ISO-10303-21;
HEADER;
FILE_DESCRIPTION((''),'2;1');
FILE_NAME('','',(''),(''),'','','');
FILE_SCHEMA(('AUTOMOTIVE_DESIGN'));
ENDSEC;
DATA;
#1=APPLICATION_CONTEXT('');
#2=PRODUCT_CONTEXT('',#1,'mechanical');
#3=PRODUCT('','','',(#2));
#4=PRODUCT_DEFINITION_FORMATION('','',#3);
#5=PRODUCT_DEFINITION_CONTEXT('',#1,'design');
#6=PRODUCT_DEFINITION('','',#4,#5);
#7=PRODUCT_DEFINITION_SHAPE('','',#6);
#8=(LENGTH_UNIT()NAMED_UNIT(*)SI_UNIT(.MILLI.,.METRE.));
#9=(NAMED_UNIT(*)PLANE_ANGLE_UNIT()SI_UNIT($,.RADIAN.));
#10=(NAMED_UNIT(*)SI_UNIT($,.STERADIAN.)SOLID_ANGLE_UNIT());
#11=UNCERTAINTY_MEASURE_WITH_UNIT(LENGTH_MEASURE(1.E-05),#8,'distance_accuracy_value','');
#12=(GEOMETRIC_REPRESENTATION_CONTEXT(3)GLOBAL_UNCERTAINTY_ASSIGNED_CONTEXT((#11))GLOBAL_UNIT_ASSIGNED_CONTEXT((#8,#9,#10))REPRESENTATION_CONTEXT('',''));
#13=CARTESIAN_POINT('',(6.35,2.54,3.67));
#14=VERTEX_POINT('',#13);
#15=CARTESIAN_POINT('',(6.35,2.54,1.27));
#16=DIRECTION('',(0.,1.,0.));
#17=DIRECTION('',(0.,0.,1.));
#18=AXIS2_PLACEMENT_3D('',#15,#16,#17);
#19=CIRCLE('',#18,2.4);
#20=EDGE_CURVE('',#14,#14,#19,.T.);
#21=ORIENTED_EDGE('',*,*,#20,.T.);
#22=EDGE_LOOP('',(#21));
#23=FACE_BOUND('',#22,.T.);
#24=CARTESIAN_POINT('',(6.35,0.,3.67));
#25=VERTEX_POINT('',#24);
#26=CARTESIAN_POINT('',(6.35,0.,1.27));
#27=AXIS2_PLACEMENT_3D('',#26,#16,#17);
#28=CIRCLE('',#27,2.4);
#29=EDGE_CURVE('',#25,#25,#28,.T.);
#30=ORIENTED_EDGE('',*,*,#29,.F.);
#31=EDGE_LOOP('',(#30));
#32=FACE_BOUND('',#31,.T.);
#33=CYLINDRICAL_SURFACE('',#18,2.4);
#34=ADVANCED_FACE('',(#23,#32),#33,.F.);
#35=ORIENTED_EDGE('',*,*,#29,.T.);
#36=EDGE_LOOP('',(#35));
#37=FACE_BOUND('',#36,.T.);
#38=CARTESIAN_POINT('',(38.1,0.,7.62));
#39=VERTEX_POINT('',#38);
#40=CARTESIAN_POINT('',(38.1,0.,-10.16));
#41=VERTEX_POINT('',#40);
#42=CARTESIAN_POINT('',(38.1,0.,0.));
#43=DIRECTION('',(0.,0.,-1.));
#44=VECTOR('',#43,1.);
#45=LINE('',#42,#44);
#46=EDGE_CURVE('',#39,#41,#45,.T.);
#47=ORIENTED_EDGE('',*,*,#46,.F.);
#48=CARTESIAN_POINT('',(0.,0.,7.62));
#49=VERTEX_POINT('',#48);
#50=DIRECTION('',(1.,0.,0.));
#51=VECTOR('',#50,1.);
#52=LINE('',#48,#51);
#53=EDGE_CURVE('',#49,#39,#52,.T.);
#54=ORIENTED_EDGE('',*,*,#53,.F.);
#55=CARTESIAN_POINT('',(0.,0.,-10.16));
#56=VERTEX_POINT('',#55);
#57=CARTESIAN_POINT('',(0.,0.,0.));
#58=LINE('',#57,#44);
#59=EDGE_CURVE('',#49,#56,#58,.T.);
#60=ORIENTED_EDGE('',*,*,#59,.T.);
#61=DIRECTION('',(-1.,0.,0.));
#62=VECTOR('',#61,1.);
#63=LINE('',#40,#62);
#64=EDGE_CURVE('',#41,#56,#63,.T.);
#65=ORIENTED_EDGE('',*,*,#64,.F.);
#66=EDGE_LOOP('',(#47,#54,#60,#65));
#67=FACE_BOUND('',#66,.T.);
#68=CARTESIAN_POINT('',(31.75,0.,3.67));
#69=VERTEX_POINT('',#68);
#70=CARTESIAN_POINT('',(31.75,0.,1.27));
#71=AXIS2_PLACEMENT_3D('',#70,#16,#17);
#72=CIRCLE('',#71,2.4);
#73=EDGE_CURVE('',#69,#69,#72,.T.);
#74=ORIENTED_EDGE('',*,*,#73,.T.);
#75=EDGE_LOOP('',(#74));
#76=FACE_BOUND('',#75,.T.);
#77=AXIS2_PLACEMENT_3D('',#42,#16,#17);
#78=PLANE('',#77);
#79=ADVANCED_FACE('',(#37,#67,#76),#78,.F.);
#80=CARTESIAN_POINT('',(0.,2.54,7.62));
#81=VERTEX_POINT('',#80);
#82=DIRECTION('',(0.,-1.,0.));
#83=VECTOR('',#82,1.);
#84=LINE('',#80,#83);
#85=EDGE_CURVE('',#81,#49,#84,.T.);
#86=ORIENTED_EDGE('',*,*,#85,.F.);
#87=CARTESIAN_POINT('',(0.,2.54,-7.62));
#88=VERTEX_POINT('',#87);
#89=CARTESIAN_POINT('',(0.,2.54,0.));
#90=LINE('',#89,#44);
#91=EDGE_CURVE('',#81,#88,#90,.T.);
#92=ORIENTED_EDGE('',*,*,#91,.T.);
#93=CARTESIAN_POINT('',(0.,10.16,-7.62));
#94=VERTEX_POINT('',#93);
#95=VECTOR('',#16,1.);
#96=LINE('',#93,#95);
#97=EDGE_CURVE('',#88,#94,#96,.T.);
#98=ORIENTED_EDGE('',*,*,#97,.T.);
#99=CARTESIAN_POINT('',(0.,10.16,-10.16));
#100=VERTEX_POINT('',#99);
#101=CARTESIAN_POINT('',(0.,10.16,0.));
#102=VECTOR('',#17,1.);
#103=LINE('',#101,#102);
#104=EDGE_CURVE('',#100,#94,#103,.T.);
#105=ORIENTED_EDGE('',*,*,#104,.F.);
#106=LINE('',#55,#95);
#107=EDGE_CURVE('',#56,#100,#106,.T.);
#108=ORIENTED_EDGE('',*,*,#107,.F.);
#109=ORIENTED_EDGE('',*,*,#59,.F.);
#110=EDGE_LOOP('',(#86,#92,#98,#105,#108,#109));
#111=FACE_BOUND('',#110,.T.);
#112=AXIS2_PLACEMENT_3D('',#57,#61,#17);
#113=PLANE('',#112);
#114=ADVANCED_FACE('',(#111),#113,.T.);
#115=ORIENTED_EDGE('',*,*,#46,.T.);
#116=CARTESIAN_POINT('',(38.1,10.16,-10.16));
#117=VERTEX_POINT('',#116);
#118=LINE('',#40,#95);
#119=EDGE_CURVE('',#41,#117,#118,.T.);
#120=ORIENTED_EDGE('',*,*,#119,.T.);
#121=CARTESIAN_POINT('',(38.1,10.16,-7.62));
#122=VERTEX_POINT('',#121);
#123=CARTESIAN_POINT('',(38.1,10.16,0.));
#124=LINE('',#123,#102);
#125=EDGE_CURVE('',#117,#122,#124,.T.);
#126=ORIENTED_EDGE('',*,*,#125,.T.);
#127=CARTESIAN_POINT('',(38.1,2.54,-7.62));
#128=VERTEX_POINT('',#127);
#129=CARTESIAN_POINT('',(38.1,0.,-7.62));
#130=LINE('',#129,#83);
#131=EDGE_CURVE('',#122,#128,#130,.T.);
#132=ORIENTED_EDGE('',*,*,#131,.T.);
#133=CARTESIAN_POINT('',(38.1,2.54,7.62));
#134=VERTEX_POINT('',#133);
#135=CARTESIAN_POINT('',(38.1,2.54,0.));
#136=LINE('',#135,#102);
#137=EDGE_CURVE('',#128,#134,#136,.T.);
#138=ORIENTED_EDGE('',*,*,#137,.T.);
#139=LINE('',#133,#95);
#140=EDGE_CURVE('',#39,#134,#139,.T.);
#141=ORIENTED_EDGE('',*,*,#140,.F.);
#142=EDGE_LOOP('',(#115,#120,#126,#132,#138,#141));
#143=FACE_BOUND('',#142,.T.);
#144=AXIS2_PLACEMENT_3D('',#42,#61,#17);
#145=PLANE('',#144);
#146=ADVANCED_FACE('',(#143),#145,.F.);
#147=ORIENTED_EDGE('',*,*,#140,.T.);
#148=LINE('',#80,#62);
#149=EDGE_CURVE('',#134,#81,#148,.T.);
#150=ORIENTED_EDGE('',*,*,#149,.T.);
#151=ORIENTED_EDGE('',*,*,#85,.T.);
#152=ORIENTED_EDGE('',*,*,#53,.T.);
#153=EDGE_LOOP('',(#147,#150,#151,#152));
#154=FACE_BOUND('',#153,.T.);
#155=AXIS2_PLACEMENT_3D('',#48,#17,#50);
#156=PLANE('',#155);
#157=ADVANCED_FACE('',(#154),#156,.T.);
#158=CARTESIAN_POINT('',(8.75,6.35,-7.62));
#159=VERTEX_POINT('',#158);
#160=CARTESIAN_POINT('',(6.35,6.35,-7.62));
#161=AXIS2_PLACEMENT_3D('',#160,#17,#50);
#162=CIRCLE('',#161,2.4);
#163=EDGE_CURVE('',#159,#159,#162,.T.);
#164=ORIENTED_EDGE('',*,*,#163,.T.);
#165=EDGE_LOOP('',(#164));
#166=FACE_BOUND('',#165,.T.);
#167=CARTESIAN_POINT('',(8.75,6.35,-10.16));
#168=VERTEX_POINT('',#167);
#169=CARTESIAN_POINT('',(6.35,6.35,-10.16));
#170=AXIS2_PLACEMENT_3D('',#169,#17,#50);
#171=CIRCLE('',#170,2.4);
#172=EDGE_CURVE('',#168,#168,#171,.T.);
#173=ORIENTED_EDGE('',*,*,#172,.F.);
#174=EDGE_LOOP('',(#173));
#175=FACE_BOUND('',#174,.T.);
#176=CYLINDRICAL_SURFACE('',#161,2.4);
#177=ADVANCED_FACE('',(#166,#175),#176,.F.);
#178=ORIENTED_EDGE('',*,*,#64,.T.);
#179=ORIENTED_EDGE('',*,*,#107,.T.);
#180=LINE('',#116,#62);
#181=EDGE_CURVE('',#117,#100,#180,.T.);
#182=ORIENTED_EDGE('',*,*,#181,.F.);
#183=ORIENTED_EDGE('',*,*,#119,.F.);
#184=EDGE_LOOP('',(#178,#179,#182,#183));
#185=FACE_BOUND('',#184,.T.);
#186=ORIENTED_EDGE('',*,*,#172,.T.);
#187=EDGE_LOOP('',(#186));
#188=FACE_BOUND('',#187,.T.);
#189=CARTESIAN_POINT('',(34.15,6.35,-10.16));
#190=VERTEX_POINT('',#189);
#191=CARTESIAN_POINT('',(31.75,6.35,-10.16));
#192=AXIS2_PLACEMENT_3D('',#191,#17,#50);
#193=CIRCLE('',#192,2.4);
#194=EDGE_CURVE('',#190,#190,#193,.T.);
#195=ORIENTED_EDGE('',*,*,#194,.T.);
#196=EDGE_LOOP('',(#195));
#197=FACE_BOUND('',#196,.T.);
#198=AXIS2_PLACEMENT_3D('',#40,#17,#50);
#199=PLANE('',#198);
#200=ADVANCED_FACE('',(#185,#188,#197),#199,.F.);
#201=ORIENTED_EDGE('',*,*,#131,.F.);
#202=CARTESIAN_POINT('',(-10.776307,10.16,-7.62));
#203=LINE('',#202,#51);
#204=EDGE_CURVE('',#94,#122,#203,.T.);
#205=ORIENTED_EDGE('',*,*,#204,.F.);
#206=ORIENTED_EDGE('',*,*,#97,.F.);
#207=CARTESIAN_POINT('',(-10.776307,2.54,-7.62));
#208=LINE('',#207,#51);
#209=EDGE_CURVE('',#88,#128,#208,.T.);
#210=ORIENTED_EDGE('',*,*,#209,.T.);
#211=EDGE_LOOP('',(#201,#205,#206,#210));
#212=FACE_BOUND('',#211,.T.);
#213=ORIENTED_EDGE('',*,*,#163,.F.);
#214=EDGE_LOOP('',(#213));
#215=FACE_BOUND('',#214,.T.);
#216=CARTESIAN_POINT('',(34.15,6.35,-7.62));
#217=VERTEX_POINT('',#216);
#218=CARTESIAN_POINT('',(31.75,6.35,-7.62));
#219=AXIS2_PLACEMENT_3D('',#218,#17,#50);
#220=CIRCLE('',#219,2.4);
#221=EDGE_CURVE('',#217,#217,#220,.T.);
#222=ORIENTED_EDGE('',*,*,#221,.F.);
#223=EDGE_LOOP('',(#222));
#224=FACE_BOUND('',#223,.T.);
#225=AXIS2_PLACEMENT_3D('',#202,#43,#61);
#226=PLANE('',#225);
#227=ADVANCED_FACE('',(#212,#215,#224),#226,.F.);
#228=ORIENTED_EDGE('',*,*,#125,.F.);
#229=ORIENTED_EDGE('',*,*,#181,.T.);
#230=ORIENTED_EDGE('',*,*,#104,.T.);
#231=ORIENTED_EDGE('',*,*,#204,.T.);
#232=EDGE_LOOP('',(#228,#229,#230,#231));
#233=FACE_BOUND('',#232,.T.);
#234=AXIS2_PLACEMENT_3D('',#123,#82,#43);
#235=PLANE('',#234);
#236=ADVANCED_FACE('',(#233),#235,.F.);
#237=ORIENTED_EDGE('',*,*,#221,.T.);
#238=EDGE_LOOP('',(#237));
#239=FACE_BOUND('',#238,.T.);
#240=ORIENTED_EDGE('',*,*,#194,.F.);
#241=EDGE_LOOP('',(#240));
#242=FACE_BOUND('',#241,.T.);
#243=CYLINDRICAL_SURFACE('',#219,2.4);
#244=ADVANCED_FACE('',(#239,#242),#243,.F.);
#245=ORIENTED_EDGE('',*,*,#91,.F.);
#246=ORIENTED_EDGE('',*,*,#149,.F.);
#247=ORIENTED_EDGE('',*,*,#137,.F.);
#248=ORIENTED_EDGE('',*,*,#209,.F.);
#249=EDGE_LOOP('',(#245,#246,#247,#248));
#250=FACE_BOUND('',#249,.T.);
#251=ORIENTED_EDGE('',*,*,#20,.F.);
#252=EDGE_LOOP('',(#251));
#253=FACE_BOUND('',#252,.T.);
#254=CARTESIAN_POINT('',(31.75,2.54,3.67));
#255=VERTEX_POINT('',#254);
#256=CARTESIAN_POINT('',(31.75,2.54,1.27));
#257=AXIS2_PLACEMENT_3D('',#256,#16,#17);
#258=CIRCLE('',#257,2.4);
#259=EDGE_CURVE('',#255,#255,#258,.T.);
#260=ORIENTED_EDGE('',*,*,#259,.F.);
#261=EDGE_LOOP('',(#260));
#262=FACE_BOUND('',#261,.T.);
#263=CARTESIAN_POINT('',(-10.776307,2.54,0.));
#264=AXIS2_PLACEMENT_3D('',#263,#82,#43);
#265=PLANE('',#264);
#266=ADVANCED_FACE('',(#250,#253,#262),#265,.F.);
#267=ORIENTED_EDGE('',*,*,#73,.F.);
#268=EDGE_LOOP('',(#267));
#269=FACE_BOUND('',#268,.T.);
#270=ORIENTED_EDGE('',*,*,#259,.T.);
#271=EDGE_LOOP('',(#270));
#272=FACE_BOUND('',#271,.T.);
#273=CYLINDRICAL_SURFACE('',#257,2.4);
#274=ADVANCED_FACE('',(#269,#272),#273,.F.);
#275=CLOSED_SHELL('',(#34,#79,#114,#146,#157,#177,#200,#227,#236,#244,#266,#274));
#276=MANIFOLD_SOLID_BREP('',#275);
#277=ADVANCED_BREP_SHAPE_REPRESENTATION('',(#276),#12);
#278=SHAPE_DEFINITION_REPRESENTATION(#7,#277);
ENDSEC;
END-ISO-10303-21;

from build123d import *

# Parameters (mm, degrees)
SKETCH2_W               = 10.16
SKETCH2_H               = 10.16
BOSS_EXTRUDE1_DEPTH     = 38.1
CUT_EXTRUDE1_DEPTH      = 41.719297636
CUT_EXTRUDE1_DEPTH_BACK = 38.1
SKETCH3_W               = 7.62
SKETCH3_H               = 7.62
M4_CLEARANCE_HOLE2_D    = 4.8
SKETCH13_W              = 38.1
SKETCH13_H              = 2.54
BOSS_EXTRUDE2_DEPTH     = 7.62
M4_CLEARANCE_HOLE3_D    = 4.8


with BuildPart() as part:
    # Sketch2 → Boss-Extrude1 (new body)
    with BuildSketch(Plane(origin=(0, 0, 0), x_dir=(0, 0, -1), z_dir=(1, 0, 0))):
        with Locations((5.08, 5.08)):
            Rectangle(SKETCH2_W, SKETCH2_H)
    extrude(amount=BOSS_EXTRUDE1_DEPTH)

    # Sketch3 → Cut-Extrude1 (cut, two sides: drawn at the far end of the back side and taken through both)
    with BuildSketch(Plane(origin=(38.1, 0, 0), x_dir=(0, 0, -1), z_dir=(1, 0, 0)).offset(-CUT_EXTRUDE1_DEPTH_BACK)):
        with Locations((3.81, 6.35)):
            Rectangle(SKETCH3_W, SKETCH3_H)
    extrude(amount=CUT_EXTRUDE1_DEPTH + CUT_EXTRUDE1_DEPTH_BACK, mode=Mode.SUBTRACT)

    # M4 Clearance Hole2 (through all)
    with Locations(Plane.XY.offset(-7.62)):
        with Locations((6.35, 6.35), (31.75, 6.35)):
            Hole(M4_CLEARANCE_HOLE2_D / 2)

    # Sketch13 → Boss-Extrude2 (add)
    with BuildSketch(Plane.XY):
        with Locations((19.05, 1.27)):
            Rectangle(SKETCH13_W, SKETCH13_H)
    extrude(amount=BOSS_EXTRUDE2_DEPTH)

    # M4 Clearance Hole3 (through all)
    with Locations(Plane(origin=(0, 2.54, 0), x_dir=(1, 0, 0), z_dir=(0, 1, 0))):
        with Locations((6.35, -1.27), (31.75, -1.27)):
            Hole(M4_CLEARANCE_HOLE3_D / 2)


solid = part.part
